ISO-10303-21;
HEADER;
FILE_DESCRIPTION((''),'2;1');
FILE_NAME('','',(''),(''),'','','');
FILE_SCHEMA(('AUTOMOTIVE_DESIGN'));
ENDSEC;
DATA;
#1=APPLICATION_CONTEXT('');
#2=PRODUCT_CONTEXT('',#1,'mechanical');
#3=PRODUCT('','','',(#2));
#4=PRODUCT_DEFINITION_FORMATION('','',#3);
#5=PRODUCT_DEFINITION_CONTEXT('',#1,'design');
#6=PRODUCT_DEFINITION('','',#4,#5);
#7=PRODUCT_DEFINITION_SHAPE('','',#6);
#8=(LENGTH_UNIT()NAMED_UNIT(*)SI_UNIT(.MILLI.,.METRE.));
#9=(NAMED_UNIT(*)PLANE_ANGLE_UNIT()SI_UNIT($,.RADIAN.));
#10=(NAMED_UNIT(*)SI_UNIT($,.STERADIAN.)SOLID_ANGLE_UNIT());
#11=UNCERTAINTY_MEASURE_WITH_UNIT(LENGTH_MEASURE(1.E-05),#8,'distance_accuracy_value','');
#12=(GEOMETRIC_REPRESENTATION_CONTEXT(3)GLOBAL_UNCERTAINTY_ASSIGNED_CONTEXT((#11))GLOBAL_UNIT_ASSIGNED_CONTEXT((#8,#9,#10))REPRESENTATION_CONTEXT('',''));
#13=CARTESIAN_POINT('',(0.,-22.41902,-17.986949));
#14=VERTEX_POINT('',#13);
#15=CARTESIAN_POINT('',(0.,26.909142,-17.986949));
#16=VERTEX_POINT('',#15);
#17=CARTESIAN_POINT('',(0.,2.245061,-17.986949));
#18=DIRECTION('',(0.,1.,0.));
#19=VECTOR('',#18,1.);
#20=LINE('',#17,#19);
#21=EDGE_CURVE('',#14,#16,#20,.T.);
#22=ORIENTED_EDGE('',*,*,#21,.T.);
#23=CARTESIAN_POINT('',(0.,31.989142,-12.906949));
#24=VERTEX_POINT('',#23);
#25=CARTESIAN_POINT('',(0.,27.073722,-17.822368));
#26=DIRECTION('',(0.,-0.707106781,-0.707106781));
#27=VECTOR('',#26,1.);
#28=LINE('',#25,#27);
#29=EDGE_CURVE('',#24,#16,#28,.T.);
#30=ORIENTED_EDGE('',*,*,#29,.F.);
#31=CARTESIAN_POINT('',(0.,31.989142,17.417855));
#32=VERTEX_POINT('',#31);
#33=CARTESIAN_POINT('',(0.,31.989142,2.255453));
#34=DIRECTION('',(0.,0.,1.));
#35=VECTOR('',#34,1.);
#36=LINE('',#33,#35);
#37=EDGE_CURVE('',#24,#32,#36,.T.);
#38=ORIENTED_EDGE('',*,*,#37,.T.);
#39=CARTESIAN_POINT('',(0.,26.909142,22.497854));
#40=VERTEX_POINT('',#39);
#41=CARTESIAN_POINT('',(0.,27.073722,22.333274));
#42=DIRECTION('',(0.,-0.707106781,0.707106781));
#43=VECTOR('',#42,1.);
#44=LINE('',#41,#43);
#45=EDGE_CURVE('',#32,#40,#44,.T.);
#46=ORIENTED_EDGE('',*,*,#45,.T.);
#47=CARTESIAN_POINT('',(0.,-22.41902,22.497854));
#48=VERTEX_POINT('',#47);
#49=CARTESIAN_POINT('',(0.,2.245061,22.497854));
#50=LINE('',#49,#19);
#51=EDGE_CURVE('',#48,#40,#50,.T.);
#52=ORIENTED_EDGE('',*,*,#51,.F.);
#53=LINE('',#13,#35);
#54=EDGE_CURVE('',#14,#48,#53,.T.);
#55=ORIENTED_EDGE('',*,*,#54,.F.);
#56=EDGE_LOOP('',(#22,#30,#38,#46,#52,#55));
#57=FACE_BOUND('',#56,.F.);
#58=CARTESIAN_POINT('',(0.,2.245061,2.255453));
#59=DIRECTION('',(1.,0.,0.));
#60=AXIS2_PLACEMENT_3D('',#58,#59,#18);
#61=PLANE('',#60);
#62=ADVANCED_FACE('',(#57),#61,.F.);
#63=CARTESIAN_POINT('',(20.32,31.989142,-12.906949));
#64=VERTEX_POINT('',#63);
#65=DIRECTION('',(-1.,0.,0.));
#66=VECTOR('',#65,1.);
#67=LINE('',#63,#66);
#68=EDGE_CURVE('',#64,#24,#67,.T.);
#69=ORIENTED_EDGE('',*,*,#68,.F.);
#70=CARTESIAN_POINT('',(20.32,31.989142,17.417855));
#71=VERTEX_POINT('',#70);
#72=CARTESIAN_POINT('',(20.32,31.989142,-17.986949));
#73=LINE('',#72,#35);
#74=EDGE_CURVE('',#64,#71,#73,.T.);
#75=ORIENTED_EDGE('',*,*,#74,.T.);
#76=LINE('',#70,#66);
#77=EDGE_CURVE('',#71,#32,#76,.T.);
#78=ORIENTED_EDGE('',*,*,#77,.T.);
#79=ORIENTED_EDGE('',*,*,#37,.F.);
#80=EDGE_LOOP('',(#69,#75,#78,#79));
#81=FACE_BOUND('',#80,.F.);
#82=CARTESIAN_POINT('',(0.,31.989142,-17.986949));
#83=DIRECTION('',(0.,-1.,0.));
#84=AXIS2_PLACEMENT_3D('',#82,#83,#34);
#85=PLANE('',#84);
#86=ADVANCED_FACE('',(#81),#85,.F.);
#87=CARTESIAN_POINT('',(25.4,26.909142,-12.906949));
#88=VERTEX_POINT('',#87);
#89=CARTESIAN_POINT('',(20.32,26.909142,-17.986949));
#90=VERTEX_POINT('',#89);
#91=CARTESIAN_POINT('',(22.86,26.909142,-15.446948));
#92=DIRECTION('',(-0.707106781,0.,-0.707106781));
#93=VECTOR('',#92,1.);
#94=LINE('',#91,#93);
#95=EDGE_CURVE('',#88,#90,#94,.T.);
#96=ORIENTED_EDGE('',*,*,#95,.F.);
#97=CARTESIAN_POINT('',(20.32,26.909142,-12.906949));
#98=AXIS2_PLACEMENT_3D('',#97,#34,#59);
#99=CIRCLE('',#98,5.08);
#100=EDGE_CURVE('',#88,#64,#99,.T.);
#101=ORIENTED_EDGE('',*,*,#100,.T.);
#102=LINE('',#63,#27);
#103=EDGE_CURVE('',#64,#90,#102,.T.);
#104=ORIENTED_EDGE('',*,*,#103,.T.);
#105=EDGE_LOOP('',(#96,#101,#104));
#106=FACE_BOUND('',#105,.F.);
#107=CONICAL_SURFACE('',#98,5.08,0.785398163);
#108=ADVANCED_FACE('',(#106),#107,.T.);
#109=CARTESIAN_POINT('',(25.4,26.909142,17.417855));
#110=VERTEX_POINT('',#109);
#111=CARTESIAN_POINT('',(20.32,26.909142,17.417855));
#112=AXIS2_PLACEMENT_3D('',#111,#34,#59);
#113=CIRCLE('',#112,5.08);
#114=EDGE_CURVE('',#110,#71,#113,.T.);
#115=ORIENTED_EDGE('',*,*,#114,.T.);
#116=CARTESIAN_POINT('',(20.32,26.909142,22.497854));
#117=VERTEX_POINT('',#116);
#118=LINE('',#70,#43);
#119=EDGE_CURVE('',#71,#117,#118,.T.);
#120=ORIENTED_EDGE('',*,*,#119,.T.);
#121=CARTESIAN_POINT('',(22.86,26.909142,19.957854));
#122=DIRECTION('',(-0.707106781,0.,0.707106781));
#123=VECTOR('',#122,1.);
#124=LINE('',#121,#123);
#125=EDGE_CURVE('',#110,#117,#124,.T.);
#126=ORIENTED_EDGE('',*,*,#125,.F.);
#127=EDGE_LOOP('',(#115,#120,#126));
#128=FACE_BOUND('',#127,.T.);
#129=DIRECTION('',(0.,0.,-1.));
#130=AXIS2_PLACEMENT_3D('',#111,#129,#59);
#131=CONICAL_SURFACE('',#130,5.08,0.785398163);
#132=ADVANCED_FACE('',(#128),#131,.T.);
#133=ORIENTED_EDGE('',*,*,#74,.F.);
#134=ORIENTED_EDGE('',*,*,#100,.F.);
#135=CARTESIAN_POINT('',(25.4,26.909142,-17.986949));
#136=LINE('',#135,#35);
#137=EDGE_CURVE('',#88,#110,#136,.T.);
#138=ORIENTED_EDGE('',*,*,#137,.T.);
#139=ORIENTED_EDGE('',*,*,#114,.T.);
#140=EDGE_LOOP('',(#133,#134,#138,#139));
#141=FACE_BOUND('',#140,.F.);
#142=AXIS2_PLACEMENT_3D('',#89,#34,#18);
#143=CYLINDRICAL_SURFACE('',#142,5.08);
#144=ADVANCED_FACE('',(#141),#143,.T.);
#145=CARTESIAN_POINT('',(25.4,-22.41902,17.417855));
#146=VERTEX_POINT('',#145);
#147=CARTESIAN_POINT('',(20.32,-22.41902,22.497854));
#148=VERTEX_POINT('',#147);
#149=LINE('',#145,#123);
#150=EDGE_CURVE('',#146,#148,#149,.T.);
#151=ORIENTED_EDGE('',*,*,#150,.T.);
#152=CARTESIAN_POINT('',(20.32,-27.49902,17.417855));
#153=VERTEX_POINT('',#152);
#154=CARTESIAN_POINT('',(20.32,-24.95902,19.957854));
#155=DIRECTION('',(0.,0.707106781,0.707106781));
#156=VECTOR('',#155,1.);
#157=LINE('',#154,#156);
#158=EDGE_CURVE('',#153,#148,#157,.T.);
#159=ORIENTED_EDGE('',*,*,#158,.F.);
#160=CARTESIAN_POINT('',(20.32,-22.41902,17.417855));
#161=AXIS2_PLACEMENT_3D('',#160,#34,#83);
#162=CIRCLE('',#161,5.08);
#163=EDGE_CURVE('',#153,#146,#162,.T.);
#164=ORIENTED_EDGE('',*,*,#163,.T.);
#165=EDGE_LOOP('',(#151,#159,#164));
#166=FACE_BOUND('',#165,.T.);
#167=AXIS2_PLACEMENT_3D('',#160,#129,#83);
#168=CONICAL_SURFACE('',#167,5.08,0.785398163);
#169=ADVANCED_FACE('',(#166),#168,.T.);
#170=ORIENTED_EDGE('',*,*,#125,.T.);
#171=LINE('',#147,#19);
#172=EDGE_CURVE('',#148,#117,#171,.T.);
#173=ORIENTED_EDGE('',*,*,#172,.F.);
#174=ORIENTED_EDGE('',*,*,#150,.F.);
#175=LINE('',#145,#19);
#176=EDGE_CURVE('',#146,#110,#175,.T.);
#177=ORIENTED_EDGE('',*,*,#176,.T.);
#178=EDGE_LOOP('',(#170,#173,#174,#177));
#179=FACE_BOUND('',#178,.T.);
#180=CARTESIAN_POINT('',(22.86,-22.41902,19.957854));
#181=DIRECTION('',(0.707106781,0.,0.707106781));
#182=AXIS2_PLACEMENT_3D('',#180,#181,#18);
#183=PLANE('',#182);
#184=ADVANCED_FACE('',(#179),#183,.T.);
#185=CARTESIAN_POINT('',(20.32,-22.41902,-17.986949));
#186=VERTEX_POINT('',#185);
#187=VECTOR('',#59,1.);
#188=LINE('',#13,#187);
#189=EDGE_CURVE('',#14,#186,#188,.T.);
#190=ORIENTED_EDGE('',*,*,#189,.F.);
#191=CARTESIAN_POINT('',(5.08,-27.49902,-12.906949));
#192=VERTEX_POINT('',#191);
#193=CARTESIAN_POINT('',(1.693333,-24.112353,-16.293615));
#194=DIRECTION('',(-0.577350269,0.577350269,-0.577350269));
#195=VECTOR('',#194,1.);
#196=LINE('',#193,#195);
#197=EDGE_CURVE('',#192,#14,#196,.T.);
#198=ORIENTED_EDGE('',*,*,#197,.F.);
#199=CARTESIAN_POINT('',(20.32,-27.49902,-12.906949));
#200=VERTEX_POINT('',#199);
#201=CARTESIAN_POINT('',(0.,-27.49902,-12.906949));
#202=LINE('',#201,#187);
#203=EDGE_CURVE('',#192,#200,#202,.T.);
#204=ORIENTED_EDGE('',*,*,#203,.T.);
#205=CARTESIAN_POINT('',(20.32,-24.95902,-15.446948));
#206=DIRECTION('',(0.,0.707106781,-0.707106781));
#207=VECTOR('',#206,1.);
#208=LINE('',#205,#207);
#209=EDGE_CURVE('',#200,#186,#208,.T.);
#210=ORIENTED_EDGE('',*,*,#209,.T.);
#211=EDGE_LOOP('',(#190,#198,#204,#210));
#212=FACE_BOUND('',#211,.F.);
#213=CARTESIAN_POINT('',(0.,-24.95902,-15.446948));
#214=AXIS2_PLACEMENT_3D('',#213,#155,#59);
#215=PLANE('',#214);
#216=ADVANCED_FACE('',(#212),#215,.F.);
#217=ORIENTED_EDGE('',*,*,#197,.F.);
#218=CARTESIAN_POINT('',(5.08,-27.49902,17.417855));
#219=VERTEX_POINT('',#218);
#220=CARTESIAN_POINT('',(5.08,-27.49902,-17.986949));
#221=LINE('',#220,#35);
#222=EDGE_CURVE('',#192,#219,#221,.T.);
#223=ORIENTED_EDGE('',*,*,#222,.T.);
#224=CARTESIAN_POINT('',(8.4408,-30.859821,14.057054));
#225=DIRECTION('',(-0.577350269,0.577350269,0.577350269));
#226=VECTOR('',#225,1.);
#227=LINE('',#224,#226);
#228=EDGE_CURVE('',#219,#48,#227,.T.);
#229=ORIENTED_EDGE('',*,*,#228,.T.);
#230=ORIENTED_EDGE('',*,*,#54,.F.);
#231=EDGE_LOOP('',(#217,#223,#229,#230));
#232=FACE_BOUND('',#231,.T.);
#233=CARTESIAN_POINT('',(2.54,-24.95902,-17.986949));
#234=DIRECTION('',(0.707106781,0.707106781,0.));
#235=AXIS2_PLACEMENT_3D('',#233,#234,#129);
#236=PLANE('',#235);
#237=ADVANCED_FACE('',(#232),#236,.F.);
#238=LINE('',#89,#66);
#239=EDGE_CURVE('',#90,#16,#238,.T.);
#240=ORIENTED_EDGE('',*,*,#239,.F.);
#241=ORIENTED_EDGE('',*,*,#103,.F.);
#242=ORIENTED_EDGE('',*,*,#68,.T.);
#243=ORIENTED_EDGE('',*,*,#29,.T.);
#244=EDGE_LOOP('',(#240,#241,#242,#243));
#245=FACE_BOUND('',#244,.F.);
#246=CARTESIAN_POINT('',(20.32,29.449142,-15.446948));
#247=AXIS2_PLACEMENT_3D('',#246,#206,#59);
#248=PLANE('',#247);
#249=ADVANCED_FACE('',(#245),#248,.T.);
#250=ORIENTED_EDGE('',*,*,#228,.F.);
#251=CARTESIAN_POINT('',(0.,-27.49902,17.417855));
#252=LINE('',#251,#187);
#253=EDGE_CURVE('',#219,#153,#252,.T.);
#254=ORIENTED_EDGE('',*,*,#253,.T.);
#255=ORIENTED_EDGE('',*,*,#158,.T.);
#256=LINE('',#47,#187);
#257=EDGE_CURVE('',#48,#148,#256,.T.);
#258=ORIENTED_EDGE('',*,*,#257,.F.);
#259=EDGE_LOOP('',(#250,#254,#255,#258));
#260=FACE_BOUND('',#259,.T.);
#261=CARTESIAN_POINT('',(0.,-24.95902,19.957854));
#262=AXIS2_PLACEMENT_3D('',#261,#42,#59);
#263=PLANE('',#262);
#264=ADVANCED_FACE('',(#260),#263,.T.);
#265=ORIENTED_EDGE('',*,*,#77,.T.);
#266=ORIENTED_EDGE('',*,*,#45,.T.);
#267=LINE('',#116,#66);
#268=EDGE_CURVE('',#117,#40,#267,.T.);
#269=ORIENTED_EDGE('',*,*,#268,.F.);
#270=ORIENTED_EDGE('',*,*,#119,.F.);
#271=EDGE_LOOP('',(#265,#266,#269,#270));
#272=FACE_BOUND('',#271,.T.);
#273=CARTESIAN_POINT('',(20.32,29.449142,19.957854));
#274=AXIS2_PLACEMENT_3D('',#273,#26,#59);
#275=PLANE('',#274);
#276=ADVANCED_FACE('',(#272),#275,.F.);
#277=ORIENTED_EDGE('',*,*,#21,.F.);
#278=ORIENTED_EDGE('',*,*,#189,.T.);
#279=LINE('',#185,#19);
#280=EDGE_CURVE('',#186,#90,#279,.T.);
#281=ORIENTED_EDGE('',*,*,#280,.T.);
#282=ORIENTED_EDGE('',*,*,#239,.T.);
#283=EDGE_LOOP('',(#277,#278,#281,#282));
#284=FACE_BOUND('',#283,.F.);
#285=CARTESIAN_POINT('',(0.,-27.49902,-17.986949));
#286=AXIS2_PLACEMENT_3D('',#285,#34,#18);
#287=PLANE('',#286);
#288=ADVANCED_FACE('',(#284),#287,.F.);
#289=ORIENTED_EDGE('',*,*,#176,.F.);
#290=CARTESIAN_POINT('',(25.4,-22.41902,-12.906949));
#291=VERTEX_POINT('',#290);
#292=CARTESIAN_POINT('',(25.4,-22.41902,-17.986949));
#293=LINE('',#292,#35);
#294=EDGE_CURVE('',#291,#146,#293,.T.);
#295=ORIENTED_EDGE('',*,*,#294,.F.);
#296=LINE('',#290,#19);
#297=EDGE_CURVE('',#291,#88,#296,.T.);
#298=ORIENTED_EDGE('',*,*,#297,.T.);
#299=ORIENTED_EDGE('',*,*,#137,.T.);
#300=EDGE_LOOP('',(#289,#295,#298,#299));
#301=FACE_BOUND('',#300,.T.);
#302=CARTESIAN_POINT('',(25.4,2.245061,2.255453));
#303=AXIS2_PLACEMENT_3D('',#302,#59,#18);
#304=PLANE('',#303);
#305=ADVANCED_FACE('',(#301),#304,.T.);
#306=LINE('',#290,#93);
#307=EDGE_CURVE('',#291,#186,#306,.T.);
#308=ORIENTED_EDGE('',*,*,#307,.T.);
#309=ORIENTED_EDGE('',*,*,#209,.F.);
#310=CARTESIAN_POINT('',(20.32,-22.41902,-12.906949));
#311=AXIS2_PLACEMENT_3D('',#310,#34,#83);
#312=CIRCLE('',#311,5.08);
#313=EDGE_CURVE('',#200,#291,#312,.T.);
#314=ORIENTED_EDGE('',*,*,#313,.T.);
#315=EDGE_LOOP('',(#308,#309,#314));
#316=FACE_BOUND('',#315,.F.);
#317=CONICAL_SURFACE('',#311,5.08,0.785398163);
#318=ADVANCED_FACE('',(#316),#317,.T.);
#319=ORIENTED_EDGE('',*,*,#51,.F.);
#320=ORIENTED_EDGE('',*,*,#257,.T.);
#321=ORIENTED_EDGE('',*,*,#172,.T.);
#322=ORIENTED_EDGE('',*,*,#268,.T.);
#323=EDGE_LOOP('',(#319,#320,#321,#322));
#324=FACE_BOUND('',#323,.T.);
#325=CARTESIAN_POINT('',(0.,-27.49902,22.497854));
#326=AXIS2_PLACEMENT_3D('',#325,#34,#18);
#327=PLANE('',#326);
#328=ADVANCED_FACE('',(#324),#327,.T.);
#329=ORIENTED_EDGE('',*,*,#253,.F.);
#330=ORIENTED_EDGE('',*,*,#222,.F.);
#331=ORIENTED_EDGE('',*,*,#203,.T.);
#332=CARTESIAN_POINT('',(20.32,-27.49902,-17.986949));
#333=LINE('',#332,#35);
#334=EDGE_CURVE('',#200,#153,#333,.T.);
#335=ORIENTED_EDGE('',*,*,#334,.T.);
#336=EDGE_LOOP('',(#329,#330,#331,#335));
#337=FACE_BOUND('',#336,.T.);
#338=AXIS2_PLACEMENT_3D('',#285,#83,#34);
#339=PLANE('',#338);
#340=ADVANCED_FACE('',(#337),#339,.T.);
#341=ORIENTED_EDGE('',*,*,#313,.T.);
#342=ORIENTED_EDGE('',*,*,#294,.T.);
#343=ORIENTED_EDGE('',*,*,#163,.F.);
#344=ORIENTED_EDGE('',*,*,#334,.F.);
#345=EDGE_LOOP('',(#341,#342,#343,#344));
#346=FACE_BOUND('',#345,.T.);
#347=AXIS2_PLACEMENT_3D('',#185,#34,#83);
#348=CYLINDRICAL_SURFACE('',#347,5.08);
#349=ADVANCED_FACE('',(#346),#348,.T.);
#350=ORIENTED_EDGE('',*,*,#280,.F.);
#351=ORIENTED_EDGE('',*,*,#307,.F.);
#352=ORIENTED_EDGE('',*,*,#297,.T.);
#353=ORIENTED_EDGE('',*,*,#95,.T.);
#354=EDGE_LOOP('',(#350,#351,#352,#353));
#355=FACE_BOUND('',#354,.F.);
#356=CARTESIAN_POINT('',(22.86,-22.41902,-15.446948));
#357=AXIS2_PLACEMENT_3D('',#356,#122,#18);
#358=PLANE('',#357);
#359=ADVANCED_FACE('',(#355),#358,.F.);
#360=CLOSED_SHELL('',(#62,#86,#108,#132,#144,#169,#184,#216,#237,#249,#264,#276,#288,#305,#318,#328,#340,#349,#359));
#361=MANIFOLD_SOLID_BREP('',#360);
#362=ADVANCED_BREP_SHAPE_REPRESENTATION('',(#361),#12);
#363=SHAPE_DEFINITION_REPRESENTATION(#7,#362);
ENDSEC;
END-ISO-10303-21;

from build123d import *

# Parameters (mm, degrees)
F0_W     = 59.488162
F0_H     = 40.484803
F1_DEPTH = 25.4
F2_R     = 5.08
F3_SIZE  = 5.08


with BuildPart() as f1:
    # F0 (on Right) → F1 (new body)
    with BuildSketch(Plane.YZ):
        with Locations((2.245061, 2.255453)):
            Rectangle(F0_W, F0_H)
    extrude(amount=F1_DEPTH)

    # F2
    f2_edges = [f1.edges().sort_by_distance(p)[0] for p in [
        (25.4, -27.49902, 2.255454),
        (25.4, 31.989142, 2.255454),
    ]]
    fillet(f2_edges, radius=F2_R)

    # F3
    f3_edges = [f1.edges().sort_by_distance(p)[0] for p in [
        (10.16, -27.49902, 22.497855),
        (20.32, -27.49902, 2.255454),
        (0, -27.49902, 2.255454),
        (10.16, -27.49902, -17.986948),
    ]]
    chamfer(f3_edges, length=F3_SIZE)


solid = f1.part
